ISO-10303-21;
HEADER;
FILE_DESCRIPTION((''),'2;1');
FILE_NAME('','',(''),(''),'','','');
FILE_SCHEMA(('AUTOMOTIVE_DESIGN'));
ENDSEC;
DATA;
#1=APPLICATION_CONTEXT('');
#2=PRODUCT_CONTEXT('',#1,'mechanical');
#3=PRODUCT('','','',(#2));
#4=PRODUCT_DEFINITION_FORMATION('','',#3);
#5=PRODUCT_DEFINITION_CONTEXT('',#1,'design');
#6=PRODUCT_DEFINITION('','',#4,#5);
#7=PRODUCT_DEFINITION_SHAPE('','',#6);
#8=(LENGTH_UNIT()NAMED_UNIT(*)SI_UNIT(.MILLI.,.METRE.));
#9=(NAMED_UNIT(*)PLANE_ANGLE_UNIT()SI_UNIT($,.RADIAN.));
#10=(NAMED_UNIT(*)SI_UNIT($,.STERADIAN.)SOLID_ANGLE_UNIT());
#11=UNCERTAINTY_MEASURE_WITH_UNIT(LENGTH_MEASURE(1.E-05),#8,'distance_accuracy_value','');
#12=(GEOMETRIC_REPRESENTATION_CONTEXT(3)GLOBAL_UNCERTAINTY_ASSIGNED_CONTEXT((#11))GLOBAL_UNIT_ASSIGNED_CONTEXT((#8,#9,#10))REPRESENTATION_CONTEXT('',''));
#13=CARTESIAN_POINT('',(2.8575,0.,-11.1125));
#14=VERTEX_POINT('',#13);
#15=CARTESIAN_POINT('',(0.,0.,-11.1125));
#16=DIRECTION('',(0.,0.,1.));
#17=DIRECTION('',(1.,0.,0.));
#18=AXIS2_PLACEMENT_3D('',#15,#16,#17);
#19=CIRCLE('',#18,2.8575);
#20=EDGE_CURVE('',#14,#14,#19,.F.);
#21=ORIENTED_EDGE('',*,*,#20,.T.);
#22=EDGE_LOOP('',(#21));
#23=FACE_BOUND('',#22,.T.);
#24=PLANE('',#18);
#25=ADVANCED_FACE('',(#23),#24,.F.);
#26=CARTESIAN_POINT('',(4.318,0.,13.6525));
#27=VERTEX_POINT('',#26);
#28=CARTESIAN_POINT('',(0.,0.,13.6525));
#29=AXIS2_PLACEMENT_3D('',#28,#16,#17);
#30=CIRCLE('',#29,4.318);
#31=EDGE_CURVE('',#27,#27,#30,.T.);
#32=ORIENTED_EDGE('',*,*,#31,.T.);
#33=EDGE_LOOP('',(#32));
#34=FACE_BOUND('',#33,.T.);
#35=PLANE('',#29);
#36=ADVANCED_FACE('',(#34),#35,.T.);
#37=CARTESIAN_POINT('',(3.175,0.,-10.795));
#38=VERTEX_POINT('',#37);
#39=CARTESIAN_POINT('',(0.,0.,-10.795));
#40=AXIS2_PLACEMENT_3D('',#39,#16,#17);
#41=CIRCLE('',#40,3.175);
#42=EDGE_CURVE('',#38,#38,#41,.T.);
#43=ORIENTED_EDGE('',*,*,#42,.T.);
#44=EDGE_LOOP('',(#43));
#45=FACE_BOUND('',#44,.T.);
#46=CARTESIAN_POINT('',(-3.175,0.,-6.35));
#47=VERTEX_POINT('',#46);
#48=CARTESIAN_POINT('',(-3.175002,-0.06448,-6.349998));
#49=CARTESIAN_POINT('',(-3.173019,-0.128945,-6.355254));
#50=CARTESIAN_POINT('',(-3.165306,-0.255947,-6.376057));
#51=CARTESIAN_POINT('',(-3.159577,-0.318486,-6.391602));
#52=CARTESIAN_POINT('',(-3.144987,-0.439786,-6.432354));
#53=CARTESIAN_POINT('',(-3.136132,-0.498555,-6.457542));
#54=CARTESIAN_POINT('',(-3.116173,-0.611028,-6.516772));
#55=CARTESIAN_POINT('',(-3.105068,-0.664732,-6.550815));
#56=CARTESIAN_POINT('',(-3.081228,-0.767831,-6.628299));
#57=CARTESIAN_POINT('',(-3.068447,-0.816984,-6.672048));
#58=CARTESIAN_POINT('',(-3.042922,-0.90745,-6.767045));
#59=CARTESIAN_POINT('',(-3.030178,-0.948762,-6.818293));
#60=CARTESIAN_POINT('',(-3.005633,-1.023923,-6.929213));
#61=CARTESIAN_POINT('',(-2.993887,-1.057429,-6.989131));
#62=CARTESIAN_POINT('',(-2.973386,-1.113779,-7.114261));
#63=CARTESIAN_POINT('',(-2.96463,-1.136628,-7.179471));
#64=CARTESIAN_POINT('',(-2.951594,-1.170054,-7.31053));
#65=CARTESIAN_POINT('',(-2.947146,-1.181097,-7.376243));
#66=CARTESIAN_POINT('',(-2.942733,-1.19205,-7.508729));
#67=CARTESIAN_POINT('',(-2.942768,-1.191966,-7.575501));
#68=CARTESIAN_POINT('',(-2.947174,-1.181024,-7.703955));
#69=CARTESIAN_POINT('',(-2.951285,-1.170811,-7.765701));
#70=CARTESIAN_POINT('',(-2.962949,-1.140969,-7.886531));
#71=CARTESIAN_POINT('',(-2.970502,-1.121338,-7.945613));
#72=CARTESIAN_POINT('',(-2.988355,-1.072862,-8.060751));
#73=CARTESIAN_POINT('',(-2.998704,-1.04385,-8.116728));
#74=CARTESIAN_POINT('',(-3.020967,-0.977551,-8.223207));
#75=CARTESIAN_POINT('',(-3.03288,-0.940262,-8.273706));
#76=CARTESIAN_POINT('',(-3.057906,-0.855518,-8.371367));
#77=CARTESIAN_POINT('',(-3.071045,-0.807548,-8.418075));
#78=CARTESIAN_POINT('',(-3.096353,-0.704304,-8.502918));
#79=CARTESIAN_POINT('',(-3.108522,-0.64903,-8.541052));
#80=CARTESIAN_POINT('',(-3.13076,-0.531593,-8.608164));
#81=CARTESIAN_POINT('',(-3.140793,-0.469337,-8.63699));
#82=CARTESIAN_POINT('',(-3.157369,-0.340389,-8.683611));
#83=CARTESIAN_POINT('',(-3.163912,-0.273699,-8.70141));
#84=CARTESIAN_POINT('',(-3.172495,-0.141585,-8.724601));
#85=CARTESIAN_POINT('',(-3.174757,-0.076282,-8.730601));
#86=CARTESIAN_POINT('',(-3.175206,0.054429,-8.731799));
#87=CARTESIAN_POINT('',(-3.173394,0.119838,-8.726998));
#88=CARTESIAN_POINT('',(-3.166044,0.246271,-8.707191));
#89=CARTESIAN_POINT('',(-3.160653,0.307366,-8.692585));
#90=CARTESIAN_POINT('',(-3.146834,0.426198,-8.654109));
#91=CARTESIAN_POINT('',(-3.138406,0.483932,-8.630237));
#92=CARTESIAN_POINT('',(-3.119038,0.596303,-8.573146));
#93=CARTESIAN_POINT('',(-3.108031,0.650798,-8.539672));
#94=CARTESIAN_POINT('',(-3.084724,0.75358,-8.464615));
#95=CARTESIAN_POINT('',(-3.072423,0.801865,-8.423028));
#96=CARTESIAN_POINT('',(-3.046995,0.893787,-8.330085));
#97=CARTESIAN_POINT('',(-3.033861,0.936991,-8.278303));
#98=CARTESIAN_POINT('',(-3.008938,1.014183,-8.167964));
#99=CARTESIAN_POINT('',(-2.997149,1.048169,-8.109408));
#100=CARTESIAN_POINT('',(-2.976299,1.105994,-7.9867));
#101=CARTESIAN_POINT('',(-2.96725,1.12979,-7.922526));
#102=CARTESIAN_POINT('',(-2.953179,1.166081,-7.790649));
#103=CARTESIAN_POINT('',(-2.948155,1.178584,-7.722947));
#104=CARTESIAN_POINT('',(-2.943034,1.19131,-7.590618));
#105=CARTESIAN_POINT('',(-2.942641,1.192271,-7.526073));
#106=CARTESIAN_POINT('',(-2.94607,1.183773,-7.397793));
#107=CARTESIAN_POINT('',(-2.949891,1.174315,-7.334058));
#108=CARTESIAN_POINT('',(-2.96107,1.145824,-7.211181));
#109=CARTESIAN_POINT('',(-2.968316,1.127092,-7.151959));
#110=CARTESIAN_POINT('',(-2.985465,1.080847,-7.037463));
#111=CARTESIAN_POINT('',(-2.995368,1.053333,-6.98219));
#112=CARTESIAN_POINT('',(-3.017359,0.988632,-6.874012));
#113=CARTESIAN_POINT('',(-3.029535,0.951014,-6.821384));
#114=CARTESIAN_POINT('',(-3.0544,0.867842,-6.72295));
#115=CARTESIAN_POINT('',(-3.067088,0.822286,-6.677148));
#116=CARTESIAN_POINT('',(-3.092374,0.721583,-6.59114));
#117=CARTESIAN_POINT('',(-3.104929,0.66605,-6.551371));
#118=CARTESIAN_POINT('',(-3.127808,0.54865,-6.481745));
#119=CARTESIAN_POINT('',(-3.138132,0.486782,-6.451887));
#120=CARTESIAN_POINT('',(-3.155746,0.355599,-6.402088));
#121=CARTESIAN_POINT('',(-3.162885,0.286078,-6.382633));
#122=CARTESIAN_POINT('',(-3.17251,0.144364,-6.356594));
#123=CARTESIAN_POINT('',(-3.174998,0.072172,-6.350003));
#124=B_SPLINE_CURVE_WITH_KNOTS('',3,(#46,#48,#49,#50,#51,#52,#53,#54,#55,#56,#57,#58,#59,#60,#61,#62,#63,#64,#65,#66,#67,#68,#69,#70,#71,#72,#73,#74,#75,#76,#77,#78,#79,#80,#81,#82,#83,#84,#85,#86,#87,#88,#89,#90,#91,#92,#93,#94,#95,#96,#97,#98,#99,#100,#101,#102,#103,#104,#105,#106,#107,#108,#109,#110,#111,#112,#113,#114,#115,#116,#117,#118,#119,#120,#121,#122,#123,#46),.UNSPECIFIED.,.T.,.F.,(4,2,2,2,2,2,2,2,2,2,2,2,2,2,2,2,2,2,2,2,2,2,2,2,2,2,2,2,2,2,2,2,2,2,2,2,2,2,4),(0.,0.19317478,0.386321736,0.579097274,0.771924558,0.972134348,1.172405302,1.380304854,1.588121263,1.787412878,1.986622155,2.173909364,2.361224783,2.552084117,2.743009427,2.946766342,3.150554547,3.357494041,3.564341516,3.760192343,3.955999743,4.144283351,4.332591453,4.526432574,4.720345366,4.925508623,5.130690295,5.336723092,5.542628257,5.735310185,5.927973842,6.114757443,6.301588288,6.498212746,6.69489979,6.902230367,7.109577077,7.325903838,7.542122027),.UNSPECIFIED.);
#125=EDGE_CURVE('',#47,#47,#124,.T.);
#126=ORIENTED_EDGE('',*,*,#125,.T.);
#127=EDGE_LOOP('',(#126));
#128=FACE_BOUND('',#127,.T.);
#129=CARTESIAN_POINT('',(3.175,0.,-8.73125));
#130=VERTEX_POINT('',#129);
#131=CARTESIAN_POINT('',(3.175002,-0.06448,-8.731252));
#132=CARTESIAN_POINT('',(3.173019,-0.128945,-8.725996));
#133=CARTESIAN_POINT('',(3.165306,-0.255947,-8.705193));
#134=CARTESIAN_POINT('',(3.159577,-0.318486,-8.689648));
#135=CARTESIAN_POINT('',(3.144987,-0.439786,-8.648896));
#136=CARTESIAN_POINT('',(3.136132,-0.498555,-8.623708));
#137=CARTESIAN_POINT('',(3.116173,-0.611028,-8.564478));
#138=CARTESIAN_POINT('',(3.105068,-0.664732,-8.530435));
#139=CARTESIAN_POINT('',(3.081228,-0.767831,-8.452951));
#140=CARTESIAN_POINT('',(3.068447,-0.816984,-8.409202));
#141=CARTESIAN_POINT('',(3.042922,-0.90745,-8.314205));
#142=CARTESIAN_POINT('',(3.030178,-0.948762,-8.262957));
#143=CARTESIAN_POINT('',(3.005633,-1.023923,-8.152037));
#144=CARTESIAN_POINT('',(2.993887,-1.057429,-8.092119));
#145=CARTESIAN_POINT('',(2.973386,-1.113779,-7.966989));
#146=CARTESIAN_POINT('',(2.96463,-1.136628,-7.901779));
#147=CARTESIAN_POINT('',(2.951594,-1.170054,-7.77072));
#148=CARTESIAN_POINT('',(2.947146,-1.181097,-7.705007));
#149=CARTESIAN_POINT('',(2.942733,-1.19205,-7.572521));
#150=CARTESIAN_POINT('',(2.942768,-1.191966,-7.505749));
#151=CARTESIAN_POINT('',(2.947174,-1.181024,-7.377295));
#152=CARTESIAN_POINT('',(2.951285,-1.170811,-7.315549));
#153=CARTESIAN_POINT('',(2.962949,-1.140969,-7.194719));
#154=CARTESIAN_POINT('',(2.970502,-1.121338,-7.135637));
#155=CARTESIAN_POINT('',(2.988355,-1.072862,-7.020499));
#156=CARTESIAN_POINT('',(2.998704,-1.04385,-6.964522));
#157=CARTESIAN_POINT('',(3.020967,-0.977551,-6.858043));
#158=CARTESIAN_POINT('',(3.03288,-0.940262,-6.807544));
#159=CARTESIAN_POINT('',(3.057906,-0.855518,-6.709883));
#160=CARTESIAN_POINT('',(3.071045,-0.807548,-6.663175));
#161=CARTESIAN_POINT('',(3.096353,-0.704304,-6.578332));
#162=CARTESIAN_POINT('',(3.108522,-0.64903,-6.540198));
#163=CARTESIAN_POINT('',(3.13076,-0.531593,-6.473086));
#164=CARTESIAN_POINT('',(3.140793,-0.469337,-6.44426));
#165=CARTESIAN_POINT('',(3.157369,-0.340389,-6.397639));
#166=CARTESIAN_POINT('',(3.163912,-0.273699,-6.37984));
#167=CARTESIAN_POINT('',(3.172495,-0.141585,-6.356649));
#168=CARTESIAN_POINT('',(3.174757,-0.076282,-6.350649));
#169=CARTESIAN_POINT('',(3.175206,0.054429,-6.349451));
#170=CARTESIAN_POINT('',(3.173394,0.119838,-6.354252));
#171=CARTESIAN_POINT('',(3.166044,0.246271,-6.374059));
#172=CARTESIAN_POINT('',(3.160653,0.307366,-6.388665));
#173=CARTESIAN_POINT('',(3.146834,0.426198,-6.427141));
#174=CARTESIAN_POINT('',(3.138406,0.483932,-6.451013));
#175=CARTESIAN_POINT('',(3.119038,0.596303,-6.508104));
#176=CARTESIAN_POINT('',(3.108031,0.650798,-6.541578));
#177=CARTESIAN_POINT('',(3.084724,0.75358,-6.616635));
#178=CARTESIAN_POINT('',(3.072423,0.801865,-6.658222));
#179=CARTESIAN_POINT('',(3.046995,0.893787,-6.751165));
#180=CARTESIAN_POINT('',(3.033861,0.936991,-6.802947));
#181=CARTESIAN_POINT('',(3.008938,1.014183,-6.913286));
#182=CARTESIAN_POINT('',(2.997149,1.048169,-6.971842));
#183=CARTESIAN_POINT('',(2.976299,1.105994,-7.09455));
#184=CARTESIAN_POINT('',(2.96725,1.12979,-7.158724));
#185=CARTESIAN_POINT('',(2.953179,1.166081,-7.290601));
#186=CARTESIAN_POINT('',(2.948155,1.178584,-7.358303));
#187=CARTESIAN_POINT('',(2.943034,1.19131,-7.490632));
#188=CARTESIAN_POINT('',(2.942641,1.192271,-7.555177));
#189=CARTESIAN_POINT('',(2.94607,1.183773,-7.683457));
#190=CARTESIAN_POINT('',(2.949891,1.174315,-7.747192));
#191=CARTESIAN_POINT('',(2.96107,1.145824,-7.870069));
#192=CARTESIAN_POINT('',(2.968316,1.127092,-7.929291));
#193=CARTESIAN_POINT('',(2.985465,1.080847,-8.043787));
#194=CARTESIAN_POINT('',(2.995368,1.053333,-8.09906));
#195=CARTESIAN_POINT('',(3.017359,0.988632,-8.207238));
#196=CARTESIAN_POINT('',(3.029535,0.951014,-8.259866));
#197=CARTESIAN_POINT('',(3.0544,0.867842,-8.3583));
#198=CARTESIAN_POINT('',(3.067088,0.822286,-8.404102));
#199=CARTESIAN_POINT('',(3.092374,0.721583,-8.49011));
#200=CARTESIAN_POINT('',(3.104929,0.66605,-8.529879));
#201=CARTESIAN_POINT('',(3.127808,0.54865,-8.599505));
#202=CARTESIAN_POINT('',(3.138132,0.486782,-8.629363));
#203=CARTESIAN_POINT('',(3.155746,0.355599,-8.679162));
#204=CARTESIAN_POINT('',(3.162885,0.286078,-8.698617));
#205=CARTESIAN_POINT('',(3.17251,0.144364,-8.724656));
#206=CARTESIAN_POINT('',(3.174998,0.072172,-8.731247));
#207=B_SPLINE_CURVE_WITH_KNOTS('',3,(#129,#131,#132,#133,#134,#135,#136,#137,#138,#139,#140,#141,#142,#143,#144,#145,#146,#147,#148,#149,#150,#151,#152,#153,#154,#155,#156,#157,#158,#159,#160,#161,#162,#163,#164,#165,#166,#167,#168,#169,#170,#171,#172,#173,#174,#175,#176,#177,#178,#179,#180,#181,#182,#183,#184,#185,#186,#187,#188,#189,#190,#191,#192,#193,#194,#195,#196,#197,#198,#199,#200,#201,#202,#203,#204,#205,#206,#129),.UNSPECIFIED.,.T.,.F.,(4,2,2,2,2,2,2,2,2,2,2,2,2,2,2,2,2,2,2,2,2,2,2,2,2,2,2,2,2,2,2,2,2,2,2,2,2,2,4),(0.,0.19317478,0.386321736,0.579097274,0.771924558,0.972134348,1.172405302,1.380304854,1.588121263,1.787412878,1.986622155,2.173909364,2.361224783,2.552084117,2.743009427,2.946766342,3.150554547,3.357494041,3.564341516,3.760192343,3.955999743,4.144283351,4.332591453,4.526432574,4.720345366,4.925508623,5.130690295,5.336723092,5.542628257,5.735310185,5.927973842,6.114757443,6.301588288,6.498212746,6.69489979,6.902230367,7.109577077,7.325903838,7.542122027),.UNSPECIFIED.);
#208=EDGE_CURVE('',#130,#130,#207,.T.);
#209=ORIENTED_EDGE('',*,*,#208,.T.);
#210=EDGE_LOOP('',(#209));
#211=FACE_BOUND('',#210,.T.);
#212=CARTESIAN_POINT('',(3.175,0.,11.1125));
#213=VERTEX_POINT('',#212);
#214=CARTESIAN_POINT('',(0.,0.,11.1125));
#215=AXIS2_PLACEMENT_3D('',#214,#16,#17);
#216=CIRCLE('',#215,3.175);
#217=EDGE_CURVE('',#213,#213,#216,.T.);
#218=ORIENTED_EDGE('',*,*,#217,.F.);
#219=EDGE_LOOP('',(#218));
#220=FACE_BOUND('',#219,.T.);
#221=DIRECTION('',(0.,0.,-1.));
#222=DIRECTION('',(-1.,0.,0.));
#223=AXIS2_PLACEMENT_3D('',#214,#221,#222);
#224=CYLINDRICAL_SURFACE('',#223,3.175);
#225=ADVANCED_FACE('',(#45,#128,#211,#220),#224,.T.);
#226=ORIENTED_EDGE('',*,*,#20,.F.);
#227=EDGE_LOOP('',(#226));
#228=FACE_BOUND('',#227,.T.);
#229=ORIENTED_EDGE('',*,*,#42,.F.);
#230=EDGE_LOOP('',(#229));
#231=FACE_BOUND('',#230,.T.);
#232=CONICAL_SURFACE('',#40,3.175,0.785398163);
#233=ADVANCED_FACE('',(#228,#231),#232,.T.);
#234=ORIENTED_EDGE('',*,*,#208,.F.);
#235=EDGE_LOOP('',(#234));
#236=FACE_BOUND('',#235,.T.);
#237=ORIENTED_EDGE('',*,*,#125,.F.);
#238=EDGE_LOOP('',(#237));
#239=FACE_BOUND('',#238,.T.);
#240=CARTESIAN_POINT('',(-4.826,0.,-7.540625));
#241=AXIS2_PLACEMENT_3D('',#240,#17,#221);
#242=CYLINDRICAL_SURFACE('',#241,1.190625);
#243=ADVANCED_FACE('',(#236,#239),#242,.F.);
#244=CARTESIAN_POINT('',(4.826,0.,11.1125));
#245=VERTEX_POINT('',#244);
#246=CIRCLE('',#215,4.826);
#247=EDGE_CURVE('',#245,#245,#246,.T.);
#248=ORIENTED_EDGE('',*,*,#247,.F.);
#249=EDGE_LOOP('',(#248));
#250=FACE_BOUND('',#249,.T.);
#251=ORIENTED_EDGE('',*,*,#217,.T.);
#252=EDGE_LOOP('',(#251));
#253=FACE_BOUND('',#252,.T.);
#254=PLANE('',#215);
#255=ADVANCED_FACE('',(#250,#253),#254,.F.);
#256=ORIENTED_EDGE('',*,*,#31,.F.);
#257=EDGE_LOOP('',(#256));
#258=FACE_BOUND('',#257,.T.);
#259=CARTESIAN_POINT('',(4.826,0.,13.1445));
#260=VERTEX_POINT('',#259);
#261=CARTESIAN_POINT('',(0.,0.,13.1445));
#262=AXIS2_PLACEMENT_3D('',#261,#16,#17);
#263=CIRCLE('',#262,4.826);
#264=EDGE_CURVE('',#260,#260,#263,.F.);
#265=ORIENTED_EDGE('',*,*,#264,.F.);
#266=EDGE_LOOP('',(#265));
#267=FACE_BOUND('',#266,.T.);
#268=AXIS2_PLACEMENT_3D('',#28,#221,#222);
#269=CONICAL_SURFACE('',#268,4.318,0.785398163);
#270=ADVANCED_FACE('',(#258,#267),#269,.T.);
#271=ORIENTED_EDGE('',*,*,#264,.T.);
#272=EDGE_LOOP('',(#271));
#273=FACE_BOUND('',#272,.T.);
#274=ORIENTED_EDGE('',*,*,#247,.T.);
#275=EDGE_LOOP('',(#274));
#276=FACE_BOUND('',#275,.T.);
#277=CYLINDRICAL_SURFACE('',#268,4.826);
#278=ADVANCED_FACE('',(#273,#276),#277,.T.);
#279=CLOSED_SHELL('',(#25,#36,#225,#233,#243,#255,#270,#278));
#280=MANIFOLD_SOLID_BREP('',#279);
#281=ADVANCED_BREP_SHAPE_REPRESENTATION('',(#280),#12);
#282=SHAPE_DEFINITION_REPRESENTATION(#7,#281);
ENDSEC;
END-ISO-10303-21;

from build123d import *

# Parameters (mm, degrees)
SKETCH1_R           = 3.175
EXTRUDE1_DEPTH      = 11.1125
SKETCH2_R           = 4.826
EXTRUDE2_DEPTH      = 2.54
CHAMFER1_SIZE       = 0.508
SKETCH3_R           = 1.190625
EXTRUDE3_DEPTH      = 5.826
EXTRUDE3_DEPTH_BACK = 5.826
CHAMFER2_SIZE       = 0.3175


with BuildPart() as part:
    # Sketch1 → Extrude1 (new body, symmetric)
    with BuildSketch(Plane.XY):
        Circle(SKETCH1_R)
    extrude(amount=EXTRUDE1_DEPTH, both=True)

    # Sketch2 → Extrude2 (add)
    with BuildSketch(Plane.XY.offset(11.1125)):
        Circle(SKETCH2_R)
    extrude(amount=EXTRUDE2_DEPTH)

    # Chamfer1
    chamfer1_edges = [part.edges().sort_by_distance(p)[0] for p in [
        (-4.826, 0, 13.6525),
    ]]
    chamfer(chamfer1_edges, length=CHAMFER1_SIZE)

    # Sketch3 → Extrude3 (cut, two sides)
    with BuildSketch(Plane(origin=(0, 0, 0), x_dir=(0, 0, -1), z_dir=(1, 0, 0))) as extrude3_sk:
        with Locations((7.540625, 0)):
            Circle(SKETCH3_R)
    extrude(amount=EXTRUDE3_DEPTH, mode=Mode.SUBTRACT)
    extrude(extrude3_sk.sketch, amount=-EXTRUDE3_DEPTH_BACK, mode=Mode.SUBTRACT)

    # Chamfer2
    chamfer2_edges = [part.edges().sort_by_distance(p)[0] for p in [
        (-3.175, 0, -11.1125),
    ]]
    chamfer(chamfer2_edges, length=CHAMFER2_SIZE)


solid = part.part
